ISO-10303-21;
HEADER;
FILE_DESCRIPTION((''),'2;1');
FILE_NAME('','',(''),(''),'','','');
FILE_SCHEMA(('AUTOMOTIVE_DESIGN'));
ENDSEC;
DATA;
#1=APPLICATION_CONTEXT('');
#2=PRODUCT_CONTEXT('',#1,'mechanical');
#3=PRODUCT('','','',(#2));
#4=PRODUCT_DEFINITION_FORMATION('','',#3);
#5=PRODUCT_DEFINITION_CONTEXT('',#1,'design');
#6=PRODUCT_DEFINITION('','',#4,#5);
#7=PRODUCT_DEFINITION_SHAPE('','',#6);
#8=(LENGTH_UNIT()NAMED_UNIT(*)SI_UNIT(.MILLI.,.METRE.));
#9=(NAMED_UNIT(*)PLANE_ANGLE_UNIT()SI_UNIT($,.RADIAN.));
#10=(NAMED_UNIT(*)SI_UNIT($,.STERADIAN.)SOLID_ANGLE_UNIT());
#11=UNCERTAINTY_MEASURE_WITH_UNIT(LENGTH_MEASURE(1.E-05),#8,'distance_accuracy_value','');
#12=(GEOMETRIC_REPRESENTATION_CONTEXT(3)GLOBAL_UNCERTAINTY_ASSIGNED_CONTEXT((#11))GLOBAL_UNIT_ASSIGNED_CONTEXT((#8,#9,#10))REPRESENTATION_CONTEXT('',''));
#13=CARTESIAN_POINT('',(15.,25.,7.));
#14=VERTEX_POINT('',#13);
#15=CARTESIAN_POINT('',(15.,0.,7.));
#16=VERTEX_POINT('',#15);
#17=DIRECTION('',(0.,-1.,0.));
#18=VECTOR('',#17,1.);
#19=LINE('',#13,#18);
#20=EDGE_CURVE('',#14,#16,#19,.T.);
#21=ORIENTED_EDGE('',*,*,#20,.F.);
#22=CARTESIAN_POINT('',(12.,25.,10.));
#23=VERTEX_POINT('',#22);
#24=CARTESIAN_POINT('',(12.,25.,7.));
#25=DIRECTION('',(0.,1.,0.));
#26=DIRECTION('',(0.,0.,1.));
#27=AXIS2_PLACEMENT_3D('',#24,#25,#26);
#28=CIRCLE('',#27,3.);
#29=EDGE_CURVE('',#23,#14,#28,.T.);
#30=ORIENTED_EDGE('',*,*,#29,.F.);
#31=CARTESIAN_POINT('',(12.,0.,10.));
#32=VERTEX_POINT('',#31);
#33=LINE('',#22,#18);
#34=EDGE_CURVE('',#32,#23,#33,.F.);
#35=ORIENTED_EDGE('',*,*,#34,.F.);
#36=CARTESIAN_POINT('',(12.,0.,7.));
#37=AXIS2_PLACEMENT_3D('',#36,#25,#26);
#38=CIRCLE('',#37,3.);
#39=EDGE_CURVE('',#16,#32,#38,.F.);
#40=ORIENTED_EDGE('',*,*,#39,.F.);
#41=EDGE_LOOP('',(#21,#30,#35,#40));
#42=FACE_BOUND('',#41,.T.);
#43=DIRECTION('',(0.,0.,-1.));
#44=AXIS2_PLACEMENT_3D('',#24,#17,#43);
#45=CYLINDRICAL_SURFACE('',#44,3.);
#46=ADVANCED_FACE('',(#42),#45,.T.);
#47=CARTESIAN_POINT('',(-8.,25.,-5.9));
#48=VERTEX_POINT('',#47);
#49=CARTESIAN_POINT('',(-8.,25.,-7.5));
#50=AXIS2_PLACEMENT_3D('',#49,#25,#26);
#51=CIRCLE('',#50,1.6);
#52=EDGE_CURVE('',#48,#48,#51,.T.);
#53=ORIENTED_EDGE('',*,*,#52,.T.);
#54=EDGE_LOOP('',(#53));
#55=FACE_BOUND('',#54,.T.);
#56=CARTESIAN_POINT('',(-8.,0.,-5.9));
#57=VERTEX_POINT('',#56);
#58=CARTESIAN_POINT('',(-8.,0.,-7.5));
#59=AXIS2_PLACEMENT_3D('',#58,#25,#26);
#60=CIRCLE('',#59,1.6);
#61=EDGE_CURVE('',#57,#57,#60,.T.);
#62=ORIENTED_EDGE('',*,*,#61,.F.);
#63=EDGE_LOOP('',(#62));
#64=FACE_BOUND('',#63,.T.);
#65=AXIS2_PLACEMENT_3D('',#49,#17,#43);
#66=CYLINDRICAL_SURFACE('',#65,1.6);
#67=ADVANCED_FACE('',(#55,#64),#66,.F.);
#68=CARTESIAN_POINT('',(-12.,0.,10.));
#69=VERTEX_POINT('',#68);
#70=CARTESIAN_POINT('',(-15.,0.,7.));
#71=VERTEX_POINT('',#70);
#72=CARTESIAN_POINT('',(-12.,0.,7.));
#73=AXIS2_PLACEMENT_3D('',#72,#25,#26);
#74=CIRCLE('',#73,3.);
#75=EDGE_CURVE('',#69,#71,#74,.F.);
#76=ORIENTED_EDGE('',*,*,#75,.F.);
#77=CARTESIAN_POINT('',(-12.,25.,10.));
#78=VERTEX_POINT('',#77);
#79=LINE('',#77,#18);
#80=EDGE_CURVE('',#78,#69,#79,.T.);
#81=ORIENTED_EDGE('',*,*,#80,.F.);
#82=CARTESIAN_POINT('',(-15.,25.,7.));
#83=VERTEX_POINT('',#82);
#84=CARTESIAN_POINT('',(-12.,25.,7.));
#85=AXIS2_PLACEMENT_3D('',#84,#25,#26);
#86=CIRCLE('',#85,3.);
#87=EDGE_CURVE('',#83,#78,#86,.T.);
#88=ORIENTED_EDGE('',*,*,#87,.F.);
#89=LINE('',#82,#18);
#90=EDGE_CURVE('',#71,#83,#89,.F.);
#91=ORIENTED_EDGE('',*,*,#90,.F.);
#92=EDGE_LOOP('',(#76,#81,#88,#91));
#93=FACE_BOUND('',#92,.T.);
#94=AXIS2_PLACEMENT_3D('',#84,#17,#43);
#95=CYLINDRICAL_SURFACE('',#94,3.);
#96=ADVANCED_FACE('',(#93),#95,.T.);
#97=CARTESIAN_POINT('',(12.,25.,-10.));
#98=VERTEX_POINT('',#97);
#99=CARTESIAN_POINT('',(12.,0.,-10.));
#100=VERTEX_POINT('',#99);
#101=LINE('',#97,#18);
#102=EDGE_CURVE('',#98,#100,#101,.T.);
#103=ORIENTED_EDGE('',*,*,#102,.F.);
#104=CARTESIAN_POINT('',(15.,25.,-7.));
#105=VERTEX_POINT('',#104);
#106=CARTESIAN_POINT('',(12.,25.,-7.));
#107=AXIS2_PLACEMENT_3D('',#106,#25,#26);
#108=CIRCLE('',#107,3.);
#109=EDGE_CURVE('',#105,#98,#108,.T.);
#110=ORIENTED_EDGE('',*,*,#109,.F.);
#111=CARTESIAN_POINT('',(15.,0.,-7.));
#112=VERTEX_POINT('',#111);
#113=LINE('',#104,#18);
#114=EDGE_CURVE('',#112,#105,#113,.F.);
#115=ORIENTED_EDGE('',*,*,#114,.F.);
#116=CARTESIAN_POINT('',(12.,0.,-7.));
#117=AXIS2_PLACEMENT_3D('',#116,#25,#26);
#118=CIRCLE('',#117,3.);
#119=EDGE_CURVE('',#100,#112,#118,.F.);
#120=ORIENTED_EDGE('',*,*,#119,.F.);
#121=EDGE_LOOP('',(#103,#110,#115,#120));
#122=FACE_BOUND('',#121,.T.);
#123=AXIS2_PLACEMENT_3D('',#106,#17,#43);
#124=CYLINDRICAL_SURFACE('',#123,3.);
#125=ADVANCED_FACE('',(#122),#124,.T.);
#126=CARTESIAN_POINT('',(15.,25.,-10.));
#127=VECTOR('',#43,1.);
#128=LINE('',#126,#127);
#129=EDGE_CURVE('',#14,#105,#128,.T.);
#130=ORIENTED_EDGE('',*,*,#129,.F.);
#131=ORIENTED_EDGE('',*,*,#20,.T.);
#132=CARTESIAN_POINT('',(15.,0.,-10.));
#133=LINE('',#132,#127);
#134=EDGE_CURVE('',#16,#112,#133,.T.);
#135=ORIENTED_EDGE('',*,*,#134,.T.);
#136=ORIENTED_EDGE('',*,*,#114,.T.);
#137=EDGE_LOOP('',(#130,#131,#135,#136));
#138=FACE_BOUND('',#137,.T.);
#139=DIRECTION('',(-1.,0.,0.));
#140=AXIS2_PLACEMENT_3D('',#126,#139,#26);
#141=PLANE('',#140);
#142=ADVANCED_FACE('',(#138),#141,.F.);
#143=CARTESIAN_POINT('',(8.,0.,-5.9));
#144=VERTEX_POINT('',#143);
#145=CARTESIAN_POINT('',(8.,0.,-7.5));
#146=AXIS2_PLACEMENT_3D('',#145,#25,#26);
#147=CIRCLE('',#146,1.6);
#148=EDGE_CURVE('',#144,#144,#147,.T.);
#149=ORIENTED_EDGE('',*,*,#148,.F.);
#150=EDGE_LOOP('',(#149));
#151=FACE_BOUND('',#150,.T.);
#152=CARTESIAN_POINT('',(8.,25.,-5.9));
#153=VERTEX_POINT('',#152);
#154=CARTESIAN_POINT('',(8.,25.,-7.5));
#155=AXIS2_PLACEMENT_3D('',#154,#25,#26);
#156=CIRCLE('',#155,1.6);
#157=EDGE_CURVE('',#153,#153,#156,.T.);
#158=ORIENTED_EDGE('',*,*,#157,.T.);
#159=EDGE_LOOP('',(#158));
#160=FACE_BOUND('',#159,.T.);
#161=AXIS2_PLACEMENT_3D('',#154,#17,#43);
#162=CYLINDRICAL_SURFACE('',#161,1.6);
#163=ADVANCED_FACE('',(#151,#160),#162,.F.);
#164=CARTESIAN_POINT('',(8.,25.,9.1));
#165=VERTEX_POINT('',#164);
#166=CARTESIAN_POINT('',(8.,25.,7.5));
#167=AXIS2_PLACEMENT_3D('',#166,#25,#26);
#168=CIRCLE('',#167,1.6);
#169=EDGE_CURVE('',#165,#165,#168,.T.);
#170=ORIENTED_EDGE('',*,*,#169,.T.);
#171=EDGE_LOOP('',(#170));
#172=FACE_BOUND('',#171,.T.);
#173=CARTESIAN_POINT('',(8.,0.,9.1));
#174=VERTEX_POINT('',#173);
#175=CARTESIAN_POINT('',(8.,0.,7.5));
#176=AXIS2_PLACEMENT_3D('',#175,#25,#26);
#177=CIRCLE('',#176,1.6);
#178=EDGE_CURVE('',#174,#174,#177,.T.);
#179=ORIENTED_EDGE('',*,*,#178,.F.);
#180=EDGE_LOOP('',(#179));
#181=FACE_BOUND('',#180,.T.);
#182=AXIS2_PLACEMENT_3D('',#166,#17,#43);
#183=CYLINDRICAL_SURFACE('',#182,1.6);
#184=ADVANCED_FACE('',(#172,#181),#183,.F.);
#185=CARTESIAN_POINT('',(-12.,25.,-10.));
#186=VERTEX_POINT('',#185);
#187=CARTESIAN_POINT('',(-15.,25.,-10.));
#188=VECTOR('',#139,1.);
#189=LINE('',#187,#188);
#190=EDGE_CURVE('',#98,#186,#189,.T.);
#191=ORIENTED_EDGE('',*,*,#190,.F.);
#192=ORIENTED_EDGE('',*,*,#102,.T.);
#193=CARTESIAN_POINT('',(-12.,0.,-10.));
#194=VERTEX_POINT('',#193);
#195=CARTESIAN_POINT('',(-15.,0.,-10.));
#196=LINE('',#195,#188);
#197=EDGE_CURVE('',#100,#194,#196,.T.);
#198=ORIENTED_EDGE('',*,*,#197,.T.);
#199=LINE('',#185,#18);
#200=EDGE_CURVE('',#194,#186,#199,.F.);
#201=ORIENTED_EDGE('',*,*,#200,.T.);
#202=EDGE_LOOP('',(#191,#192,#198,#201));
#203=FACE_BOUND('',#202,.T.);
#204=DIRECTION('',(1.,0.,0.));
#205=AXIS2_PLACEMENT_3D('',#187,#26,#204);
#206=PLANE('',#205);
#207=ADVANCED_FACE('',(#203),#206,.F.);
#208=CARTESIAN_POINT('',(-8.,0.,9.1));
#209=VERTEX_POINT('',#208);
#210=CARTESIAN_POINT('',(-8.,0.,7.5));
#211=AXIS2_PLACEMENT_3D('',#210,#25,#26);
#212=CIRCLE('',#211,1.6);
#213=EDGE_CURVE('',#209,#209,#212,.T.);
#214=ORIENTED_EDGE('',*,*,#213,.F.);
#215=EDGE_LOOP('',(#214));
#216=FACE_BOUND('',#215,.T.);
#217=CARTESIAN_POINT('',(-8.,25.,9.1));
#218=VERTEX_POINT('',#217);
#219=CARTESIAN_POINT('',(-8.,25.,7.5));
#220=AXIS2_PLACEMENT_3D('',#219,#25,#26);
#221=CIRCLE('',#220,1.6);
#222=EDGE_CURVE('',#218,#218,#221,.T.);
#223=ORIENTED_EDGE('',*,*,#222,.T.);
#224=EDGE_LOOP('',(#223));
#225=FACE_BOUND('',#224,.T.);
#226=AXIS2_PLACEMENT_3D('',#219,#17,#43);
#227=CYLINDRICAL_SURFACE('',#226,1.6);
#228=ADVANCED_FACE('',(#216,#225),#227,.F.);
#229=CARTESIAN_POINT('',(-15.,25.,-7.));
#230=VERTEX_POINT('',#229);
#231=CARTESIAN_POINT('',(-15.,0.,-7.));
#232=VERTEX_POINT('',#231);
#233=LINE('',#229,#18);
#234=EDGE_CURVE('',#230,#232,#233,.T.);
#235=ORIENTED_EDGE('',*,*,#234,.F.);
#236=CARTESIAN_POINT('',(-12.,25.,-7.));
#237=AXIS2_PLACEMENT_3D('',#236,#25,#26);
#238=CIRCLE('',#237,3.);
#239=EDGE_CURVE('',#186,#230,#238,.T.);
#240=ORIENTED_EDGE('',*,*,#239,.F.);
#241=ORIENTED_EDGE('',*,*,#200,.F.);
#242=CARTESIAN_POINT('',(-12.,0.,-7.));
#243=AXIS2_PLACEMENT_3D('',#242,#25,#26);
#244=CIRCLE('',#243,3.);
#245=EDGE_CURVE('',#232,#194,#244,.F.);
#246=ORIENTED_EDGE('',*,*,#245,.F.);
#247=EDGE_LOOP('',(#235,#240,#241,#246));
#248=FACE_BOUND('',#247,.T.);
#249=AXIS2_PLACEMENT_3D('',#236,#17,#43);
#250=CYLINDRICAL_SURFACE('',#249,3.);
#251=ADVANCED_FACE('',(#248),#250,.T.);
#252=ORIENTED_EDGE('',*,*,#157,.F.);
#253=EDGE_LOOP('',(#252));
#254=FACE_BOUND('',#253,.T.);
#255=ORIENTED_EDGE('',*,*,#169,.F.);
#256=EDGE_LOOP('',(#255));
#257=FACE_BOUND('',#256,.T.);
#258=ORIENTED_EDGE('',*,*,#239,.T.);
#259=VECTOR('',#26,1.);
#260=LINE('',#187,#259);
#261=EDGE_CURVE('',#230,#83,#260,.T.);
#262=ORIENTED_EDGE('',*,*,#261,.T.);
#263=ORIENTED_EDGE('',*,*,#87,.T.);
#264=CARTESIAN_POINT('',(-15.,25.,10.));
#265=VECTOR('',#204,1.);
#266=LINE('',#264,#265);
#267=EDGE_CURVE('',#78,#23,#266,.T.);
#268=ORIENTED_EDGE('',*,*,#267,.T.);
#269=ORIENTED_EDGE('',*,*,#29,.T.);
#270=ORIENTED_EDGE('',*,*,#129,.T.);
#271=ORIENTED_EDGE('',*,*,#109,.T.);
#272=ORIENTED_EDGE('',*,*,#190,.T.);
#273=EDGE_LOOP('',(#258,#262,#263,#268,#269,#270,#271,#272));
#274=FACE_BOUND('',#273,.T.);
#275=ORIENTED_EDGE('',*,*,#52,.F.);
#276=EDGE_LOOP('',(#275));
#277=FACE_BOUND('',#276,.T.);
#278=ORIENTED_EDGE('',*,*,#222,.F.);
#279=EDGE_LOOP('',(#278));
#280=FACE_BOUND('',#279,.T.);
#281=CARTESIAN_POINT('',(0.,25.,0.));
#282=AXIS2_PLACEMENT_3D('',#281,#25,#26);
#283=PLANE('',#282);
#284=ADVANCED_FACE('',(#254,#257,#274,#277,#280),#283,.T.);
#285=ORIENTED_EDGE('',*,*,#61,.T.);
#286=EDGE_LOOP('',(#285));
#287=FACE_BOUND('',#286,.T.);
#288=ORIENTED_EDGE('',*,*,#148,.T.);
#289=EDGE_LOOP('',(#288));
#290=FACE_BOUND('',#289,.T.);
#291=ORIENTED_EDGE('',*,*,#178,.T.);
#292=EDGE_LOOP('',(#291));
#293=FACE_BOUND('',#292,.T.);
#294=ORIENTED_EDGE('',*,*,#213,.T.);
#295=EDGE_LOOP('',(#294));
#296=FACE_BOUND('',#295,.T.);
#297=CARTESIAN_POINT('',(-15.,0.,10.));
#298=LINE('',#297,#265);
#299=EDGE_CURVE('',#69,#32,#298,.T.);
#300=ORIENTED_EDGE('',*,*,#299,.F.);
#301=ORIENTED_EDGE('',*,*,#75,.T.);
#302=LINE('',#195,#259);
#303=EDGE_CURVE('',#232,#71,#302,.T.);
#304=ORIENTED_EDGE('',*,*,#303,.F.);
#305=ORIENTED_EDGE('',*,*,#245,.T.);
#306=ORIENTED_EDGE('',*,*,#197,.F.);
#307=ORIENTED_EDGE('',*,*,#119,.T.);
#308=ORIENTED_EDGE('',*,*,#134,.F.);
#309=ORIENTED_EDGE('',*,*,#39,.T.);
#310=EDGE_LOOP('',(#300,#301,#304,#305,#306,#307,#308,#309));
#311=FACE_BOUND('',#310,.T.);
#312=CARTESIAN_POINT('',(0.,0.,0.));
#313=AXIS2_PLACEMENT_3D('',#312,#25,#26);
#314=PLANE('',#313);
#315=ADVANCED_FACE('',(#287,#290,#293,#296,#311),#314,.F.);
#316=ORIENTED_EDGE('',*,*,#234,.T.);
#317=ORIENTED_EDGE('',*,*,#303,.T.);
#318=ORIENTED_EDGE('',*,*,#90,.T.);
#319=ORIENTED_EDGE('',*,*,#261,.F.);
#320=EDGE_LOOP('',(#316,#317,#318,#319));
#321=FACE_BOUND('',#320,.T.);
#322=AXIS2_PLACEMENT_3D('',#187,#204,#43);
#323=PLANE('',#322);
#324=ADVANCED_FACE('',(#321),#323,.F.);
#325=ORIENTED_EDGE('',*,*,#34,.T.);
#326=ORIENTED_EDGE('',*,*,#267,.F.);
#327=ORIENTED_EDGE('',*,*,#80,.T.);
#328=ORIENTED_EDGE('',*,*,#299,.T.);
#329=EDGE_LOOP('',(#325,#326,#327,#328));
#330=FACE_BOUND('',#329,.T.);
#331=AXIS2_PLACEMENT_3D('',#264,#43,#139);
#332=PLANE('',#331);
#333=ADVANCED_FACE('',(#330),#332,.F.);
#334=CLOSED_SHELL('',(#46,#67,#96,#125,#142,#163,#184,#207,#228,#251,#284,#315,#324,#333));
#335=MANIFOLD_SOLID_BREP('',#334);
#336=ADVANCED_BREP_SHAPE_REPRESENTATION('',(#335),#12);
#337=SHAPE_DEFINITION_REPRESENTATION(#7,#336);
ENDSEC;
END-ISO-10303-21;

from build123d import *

# Parameters (mm, degrees)
SKETCH_1_W      = 30
SKETCH_1_H      = 20
SKETCH_1_R      = 1.6
EXTRUDE_1_DEPTH = 25
FILLET_1_R      = 3


with BuildPart() as part:
    # 草图1 → 凸台-拉伸1 (new body)
    with BuildSketch(Plane(origin=(0, 0, 0), x_dir=(1, 0, 0), z_dir=(0, 1, 0))):
        Rectangle(SKETCH_1_W, SKETCH_1_H)
        with Locations((-8, 7.5)):
            Circle(SKETCH_1_R, mode=Mode.SUBTRACT)
        with Locations((-8, -7.5)):
            Circle(SKETCH_1_R, mode=Mode.SUBTRACT)
        with Locations((8, -7.5)):
            Circle(SKETCH_1_R, mode=Mode.SUBTRACT)
        with Locations((8, 7.5)):
            Circle(SKETCH_1_R, mode=Mode.SUBTRACT)
    extrude(amount=EXTRUDE_1_DEPTH)

    # 圆角1
    fillet_1_edges = [part.edges().sort_by_distance(p)[0] for p in [
        (15, 12.5, 10),
        (-15, 12.5, 10),
        (-15, 12.5, -10),
        (15, 12.5, -10),
    ]]
    fillet(fillet_1_edges, radius=FILLET_1_R)


solid = part.part
